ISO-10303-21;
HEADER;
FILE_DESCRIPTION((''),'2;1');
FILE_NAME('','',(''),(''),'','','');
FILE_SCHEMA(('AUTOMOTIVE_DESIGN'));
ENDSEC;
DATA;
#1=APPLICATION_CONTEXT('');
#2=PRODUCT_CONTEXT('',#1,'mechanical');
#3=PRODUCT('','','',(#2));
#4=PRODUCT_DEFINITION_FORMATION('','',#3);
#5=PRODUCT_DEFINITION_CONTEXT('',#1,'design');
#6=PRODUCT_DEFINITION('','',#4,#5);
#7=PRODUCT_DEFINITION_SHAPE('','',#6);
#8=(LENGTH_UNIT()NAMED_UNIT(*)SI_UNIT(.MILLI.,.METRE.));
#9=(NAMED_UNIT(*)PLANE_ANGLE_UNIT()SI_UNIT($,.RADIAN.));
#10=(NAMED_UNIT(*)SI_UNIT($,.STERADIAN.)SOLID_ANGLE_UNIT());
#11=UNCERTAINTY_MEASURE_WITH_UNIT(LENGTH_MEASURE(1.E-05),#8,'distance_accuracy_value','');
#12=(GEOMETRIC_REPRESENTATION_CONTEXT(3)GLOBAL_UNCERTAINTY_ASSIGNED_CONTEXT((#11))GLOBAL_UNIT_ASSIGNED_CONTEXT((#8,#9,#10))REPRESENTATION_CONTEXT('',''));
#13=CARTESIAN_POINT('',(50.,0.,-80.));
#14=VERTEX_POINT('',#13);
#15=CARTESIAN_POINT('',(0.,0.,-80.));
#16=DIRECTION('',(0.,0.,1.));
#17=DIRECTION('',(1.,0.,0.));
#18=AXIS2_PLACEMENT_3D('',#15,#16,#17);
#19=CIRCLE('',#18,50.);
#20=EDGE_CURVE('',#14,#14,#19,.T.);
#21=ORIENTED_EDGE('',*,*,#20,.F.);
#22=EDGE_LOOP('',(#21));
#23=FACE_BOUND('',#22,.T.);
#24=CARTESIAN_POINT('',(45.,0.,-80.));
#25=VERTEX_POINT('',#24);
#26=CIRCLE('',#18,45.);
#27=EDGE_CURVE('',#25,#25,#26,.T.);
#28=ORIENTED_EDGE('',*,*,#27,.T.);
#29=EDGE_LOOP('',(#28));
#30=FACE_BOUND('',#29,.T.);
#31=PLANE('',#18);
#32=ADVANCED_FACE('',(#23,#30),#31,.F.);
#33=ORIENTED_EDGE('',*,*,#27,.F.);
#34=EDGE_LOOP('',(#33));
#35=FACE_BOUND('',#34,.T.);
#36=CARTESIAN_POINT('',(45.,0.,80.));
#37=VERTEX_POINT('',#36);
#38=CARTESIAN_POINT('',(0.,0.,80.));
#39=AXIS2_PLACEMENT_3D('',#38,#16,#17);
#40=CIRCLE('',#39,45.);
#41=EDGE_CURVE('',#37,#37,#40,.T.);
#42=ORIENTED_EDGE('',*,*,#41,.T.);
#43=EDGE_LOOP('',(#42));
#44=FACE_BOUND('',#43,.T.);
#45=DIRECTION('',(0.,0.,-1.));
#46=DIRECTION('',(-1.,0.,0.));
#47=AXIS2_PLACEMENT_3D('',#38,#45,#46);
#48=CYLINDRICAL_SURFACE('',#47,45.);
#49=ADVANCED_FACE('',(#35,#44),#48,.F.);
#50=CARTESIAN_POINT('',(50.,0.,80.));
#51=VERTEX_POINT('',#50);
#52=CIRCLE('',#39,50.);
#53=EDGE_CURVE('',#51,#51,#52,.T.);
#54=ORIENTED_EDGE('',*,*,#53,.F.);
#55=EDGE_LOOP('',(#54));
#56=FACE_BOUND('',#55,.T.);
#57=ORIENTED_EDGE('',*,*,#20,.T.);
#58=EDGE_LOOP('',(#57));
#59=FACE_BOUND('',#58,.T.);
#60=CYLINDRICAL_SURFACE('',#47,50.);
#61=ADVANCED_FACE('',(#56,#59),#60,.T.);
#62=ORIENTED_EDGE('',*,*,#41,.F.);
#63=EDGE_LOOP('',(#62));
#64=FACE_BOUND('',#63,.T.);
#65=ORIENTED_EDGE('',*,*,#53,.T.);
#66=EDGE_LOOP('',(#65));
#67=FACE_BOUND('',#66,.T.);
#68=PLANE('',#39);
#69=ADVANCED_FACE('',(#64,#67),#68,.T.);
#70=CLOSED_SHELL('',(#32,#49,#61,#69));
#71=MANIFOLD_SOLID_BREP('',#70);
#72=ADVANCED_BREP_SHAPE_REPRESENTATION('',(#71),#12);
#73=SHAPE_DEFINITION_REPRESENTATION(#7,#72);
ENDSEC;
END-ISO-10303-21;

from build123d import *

# Parameters (mm, degrees)
SKETCH1_R           = 50
SKETCH1_R_2         = 45
BOSS_EXTRUDE1_DEPTH = 80


with BuildPart() as part:
    # Sketch1 → Boss-Extrude1 (new, symmetric)
    with BuildSketch(Plane.XY):
        Circle(SKETCH1_R)
        Circle(SKETCH1_R_2, mode=Mode.SUBTRACT)
    extrude(amount=BOSS_EXTRUDE1_DEPTH, both=True)


solid = part.part
